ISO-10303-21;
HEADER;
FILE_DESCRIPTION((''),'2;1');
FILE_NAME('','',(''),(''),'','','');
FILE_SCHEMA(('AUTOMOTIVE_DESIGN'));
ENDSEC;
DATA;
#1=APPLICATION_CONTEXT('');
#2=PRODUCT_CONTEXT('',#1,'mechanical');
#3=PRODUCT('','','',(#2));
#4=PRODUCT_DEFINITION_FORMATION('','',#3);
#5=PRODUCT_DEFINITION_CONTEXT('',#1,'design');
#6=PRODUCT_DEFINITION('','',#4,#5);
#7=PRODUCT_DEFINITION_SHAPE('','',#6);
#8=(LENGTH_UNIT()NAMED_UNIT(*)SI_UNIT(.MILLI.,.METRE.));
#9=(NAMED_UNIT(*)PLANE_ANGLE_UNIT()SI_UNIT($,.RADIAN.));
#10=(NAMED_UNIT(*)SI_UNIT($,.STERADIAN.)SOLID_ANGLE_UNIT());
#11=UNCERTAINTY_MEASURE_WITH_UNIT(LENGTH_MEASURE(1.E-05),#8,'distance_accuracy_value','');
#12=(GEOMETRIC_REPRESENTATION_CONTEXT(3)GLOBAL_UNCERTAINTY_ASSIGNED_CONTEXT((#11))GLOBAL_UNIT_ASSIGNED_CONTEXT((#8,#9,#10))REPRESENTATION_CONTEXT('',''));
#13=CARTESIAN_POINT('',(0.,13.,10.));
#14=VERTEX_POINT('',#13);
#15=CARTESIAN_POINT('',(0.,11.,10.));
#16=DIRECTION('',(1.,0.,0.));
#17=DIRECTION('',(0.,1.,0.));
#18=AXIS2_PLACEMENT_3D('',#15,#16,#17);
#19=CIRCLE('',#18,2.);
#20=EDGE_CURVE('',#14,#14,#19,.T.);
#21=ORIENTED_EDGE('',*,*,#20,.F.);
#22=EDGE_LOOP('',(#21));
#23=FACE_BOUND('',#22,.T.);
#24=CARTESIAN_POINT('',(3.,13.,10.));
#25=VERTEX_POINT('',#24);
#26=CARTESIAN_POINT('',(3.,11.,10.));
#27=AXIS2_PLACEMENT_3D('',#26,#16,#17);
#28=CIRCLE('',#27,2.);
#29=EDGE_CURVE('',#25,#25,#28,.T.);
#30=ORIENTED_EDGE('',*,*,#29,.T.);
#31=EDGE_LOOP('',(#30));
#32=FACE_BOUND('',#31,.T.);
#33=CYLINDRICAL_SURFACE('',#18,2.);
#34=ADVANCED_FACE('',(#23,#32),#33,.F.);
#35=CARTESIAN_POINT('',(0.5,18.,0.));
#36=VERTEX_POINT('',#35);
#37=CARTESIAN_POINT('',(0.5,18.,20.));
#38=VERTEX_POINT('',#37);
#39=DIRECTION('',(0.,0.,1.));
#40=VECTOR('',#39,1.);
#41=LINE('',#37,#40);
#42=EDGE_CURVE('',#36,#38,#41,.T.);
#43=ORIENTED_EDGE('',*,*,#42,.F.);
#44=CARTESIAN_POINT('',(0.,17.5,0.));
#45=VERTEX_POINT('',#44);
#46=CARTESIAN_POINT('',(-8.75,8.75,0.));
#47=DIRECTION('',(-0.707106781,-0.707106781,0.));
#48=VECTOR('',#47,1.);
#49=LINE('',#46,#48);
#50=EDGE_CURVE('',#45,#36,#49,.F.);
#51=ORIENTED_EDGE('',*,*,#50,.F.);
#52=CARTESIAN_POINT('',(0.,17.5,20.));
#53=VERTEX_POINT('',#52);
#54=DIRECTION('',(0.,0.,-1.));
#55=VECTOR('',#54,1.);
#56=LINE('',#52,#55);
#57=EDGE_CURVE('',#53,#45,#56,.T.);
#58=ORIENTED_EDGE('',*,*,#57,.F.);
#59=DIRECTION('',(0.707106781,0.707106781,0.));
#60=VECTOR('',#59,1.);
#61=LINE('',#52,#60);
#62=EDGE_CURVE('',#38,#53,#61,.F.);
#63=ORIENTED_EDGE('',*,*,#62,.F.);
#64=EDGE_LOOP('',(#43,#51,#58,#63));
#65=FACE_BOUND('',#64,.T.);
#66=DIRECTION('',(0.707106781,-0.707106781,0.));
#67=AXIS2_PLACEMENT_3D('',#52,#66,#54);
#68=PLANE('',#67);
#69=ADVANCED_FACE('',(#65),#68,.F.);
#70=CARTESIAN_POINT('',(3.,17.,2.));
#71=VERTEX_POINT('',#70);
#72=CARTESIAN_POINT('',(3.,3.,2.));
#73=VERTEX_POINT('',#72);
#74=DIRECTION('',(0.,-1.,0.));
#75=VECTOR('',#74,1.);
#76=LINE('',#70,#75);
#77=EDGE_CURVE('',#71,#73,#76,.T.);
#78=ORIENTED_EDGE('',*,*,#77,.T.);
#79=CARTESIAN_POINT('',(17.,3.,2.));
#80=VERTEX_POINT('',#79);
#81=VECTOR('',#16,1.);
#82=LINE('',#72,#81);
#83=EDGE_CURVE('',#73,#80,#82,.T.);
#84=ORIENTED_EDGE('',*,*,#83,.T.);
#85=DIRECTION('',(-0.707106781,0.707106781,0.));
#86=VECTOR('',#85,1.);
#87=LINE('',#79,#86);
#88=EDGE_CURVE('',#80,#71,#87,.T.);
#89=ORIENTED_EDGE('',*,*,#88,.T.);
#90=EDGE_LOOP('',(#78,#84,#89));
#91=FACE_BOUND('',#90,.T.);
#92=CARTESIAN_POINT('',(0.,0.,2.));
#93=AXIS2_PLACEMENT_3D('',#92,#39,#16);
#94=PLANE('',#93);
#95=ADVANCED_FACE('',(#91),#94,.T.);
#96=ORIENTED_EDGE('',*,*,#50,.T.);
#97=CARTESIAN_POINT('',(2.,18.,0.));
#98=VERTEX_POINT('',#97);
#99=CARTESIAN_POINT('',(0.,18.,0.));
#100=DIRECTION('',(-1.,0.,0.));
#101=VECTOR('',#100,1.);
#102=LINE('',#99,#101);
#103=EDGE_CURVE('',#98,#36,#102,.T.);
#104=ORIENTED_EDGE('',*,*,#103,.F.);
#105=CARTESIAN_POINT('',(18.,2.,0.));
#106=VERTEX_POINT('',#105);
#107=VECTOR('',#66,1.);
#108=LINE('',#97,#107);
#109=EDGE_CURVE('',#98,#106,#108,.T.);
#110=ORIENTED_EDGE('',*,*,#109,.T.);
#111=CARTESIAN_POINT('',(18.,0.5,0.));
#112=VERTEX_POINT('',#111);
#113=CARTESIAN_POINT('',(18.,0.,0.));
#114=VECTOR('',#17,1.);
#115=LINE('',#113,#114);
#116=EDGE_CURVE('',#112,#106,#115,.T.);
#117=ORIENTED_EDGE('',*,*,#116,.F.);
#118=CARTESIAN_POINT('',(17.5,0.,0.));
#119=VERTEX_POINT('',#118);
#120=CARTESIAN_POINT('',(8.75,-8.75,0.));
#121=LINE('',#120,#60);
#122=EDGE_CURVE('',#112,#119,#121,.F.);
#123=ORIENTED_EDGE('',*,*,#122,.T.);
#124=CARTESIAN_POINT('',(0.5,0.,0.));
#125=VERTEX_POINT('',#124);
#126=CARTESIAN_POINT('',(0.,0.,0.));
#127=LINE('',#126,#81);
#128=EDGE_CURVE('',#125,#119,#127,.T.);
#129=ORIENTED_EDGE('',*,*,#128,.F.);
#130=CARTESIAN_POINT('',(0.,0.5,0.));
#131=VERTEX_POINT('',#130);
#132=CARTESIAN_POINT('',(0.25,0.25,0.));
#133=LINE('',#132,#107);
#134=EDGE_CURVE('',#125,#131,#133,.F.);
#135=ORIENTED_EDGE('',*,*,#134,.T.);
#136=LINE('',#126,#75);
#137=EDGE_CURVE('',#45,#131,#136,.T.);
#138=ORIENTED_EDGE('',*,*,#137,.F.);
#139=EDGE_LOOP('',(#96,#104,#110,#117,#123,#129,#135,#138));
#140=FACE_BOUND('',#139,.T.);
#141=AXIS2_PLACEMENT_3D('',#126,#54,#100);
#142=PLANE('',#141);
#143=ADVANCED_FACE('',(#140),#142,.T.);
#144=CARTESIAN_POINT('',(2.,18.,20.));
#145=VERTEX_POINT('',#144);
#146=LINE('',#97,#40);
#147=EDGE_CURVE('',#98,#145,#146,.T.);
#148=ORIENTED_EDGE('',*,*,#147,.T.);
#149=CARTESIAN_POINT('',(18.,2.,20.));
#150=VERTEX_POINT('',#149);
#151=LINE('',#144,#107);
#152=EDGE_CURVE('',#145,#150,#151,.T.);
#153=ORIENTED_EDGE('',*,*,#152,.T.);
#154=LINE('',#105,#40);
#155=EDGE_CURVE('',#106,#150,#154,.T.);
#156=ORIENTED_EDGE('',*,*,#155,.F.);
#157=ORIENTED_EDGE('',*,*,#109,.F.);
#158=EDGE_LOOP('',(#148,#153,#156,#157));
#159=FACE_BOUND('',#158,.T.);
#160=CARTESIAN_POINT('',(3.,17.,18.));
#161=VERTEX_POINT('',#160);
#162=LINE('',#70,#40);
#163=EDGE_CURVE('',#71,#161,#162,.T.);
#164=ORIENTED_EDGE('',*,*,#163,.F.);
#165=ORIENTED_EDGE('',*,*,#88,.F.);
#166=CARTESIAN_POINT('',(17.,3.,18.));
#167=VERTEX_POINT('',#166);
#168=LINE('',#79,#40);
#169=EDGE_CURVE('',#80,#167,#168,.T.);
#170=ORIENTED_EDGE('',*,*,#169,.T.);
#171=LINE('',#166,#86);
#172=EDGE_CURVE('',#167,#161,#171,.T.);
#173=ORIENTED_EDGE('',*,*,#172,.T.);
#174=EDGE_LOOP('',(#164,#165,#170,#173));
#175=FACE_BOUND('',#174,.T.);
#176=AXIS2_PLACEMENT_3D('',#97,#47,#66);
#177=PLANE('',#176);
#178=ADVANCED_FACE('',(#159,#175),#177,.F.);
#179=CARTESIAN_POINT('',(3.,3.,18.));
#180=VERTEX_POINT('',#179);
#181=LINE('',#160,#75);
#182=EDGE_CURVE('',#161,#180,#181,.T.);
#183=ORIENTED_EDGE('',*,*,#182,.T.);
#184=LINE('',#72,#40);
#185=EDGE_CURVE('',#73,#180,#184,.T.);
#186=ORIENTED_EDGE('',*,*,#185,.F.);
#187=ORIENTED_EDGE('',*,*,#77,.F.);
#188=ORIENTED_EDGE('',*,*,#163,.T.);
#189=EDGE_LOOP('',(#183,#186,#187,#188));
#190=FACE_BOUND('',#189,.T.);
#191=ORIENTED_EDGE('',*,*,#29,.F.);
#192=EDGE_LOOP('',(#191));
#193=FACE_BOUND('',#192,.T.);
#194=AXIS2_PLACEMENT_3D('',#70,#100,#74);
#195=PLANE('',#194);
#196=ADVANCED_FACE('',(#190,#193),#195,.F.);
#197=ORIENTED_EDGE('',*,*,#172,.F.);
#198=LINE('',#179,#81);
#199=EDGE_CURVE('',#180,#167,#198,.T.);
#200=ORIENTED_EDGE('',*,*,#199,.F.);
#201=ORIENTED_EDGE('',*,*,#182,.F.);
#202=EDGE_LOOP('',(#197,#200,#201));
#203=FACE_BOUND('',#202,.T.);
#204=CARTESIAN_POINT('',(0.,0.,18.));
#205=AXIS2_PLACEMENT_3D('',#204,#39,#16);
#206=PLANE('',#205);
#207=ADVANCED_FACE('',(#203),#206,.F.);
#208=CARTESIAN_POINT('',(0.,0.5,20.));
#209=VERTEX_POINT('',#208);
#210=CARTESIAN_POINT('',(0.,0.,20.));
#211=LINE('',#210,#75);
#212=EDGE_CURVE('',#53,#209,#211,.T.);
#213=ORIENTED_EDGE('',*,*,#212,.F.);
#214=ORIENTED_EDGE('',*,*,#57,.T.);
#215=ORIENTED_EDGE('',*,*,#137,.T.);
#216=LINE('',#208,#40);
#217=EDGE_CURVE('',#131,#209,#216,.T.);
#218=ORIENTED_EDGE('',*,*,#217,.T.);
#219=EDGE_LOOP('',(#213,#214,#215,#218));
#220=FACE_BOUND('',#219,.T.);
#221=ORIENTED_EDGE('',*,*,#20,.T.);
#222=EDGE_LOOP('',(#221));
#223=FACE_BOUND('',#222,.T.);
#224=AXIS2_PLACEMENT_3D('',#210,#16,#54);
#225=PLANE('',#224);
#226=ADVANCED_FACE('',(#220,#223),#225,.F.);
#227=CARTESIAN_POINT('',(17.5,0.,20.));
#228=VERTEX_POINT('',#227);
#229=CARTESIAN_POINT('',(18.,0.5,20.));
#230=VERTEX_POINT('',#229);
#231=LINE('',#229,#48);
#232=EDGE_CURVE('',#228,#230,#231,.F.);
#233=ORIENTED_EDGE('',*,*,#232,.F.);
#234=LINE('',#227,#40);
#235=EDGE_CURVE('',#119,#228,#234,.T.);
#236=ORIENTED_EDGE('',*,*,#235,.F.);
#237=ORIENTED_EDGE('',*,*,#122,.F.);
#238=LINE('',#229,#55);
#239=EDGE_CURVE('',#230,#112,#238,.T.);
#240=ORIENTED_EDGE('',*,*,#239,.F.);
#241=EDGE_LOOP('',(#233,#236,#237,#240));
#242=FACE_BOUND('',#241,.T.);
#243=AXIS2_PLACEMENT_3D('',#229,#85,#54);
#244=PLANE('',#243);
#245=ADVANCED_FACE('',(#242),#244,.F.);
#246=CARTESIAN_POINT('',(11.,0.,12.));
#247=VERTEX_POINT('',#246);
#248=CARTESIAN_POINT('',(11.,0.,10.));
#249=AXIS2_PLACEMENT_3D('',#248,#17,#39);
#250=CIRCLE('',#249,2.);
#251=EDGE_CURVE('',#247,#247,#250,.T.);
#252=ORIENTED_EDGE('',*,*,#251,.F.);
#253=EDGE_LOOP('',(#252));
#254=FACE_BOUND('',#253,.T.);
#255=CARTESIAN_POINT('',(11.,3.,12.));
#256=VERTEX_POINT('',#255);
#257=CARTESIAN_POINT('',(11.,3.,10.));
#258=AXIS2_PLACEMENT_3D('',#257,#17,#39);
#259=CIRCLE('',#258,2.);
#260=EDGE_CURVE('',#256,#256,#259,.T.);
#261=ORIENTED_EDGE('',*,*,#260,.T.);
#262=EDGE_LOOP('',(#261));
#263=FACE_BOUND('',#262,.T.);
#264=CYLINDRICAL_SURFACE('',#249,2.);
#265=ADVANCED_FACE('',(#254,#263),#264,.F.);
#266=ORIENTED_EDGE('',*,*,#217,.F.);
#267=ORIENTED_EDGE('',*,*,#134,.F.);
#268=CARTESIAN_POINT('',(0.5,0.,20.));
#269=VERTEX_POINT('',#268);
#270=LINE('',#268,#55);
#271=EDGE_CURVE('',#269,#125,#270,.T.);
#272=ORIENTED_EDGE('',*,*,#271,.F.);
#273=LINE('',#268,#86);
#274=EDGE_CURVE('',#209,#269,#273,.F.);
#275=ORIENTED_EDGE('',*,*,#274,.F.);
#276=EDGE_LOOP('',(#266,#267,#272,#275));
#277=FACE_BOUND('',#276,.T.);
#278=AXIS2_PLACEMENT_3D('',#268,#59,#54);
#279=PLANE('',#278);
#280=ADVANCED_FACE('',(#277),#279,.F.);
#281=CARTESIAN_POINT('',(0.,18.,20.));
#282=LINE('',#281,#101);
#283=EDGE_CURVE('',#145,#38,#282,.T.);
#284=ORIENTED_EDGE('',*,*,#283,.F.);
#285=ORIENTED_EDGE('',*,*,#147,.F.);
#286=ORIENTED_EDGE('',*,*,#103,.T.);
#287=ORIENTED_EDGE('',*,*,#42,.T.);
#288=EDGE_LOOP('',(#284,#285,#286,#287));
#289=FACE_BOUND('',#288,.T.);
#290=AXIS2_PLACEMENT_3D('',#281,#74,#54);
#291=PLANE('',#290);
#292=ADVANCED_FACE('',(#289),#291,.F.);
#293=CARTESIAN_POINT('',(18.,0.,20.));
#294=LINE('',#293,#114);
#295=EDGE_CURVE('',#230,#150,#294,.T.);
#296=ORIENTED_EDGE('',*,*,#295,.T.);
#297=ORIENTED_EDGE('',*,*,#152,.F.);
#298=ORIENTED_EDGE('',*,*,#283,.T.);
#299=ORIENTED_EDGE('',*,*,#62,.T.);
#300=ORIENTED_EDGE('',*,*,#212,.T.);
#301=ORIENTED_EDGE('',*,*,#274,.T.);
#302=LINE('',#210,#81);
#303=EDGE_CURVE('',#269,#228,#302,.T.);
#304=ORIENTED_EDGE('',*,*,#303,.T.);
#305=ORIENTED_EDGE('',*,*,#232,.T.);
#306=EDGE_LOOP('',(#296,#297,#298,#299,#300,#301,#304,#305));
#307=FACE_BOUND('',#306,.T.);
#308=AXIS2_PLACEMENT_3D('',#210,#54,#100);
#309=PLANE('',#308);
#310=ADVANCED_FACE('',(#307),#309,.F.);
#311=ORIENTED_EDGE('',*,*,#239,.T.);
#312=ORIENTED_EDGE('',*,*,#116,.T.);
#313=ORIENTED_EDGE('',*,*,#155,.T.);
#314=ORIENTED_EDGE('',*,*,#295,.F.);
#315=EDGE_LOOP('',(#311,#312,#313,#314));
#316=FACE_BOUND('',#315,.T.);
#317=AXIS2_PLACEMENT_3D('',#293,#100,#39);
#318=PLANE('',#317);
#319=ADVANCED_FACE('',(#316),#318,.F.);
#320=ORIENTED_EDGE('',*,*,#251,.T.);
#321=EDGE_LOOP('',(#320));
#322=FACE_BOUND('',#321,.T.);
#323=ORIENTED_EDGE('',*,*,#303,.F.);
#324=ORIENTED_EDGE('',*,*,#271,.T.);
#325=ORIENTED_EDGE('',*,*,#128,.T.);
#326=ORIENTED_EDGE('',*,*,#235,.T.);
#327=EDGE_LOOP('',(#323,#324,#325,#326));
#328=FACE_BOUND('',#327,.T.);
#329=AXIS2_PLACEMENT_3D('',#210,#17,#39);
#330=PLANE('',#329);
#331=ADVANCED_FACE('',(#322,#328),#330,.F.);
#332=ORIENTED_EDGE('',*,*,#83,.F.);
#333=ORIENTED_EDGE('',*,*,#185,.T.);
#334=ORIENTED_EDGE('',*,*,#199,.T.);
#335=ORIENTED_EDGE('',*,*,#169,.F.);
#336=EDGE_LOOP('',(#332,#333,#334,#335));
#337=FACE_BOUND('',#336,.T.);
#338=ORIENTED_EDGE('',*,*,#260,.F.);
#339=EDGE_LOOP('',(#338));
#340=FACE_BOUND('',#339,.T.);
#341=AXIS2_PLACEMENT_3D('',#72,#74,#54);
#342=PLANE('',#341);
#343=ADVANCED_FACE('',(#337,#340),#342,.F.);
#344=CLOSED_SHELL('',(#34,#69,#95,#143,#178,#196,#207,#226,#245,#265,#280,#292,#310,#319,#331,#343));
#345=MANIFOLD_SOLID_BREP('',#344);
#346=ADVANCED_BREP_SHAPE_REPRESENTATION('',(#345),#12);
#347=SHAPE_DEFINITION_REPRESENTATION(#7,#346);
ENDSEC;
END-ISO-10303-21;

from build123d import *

# Parameters (mm, degrees)
ESQUISSE1_W             = 18
ESQUISSE1_H             = 18
BOSS_EXTRU_1_DEPTH      = 20
ENL_V_MAT_EXTRU_1_DEPTH = 20
ENL_V_START             = -2
ENL_V_MAT_EXTRU_2_DEPTH = 16
CHANFREIN1_SIZE         = 0.5
ESQUISSE4_R             = 2
ENL_V_MAT_EXTRU_3_DEPTH = 4
ESQUISSE5_R             = 2
ENL_V_MAT_EXTRU_4_DEPTH = 4


with BuildPart() as part:
    # Esquisse1 → Boss.-Extru.1 (new body)
    with BuildSketch(Plane.XY):
        with Locations((9, 9)):
            Rectangle(ESQUISSE1_W, ESQUISSE1_H)
    extrude(amount=BOSS_EXTRU_1_DEPTH)

    # Esquisse2 → Enlèv. mat.-Extru.1 (cut)
    with BuildSketch(Plane.XY.offset(20)):
        Polygon((18, 18), (2, 18), (18, 2), align=None)
    extrude(amount=-ENL_V_MAT_EXTRU_1_DEPTH, mode=Mode.SUBTRACT)

    # Esquisse3 → Enlèv. mat.-Extru.2 (cut)
    with BuildSketch(Plane.XY.offset(20).offset(ENL_V_START)):
        Polygon((3, 17), (3, 3), (17, 3), align=None)
    extrude(amount=-ENL_V_MAT_EXTRU_2_DEPTH, mode=Mode.SUBTRACT)

    # Chanfrein1
    chanfrein1_edges = [part.edges().sort_by_distance(p)[0] for p in [
        (0, 18, 10),
        (18, 0, 10),
        (0, 0, 10),
    ]]
    chamfer(chanfrein1_edges, length=CHANFREIN1_SIZE)

    # Esquisse4 → Enlèv. mat.-Extru.3 (cut, through all)
    with BuildSketch(Plane(origin=(3, 0, 0), x_dir=(0, 0, -1), z_dir=(1, 0, 0))):
        with Locations((-10, 11)):
            Circle(ESQUISSE4_R)
    extrude(amount=-ENL_V_MAT_EXTRU_3_DEPTH, mode=Mode.SUBTRACT)

    # Esquisse5 → Enlèv. mat.-Extru.4 (cut, through all)
    with BuildSketch(Plane(origin=(0, 3, 0), x_dir=(1, 0, 0), z_dir=(0, 1, 0))):
        with Locations((11, -10)):
            Circle(ESQUISSE5_R)
    extrude(amount=-ENL_V_MAT_EXTRU_4_DEPTH, mode=Mode.SUBTRACT)


solid = part.part
